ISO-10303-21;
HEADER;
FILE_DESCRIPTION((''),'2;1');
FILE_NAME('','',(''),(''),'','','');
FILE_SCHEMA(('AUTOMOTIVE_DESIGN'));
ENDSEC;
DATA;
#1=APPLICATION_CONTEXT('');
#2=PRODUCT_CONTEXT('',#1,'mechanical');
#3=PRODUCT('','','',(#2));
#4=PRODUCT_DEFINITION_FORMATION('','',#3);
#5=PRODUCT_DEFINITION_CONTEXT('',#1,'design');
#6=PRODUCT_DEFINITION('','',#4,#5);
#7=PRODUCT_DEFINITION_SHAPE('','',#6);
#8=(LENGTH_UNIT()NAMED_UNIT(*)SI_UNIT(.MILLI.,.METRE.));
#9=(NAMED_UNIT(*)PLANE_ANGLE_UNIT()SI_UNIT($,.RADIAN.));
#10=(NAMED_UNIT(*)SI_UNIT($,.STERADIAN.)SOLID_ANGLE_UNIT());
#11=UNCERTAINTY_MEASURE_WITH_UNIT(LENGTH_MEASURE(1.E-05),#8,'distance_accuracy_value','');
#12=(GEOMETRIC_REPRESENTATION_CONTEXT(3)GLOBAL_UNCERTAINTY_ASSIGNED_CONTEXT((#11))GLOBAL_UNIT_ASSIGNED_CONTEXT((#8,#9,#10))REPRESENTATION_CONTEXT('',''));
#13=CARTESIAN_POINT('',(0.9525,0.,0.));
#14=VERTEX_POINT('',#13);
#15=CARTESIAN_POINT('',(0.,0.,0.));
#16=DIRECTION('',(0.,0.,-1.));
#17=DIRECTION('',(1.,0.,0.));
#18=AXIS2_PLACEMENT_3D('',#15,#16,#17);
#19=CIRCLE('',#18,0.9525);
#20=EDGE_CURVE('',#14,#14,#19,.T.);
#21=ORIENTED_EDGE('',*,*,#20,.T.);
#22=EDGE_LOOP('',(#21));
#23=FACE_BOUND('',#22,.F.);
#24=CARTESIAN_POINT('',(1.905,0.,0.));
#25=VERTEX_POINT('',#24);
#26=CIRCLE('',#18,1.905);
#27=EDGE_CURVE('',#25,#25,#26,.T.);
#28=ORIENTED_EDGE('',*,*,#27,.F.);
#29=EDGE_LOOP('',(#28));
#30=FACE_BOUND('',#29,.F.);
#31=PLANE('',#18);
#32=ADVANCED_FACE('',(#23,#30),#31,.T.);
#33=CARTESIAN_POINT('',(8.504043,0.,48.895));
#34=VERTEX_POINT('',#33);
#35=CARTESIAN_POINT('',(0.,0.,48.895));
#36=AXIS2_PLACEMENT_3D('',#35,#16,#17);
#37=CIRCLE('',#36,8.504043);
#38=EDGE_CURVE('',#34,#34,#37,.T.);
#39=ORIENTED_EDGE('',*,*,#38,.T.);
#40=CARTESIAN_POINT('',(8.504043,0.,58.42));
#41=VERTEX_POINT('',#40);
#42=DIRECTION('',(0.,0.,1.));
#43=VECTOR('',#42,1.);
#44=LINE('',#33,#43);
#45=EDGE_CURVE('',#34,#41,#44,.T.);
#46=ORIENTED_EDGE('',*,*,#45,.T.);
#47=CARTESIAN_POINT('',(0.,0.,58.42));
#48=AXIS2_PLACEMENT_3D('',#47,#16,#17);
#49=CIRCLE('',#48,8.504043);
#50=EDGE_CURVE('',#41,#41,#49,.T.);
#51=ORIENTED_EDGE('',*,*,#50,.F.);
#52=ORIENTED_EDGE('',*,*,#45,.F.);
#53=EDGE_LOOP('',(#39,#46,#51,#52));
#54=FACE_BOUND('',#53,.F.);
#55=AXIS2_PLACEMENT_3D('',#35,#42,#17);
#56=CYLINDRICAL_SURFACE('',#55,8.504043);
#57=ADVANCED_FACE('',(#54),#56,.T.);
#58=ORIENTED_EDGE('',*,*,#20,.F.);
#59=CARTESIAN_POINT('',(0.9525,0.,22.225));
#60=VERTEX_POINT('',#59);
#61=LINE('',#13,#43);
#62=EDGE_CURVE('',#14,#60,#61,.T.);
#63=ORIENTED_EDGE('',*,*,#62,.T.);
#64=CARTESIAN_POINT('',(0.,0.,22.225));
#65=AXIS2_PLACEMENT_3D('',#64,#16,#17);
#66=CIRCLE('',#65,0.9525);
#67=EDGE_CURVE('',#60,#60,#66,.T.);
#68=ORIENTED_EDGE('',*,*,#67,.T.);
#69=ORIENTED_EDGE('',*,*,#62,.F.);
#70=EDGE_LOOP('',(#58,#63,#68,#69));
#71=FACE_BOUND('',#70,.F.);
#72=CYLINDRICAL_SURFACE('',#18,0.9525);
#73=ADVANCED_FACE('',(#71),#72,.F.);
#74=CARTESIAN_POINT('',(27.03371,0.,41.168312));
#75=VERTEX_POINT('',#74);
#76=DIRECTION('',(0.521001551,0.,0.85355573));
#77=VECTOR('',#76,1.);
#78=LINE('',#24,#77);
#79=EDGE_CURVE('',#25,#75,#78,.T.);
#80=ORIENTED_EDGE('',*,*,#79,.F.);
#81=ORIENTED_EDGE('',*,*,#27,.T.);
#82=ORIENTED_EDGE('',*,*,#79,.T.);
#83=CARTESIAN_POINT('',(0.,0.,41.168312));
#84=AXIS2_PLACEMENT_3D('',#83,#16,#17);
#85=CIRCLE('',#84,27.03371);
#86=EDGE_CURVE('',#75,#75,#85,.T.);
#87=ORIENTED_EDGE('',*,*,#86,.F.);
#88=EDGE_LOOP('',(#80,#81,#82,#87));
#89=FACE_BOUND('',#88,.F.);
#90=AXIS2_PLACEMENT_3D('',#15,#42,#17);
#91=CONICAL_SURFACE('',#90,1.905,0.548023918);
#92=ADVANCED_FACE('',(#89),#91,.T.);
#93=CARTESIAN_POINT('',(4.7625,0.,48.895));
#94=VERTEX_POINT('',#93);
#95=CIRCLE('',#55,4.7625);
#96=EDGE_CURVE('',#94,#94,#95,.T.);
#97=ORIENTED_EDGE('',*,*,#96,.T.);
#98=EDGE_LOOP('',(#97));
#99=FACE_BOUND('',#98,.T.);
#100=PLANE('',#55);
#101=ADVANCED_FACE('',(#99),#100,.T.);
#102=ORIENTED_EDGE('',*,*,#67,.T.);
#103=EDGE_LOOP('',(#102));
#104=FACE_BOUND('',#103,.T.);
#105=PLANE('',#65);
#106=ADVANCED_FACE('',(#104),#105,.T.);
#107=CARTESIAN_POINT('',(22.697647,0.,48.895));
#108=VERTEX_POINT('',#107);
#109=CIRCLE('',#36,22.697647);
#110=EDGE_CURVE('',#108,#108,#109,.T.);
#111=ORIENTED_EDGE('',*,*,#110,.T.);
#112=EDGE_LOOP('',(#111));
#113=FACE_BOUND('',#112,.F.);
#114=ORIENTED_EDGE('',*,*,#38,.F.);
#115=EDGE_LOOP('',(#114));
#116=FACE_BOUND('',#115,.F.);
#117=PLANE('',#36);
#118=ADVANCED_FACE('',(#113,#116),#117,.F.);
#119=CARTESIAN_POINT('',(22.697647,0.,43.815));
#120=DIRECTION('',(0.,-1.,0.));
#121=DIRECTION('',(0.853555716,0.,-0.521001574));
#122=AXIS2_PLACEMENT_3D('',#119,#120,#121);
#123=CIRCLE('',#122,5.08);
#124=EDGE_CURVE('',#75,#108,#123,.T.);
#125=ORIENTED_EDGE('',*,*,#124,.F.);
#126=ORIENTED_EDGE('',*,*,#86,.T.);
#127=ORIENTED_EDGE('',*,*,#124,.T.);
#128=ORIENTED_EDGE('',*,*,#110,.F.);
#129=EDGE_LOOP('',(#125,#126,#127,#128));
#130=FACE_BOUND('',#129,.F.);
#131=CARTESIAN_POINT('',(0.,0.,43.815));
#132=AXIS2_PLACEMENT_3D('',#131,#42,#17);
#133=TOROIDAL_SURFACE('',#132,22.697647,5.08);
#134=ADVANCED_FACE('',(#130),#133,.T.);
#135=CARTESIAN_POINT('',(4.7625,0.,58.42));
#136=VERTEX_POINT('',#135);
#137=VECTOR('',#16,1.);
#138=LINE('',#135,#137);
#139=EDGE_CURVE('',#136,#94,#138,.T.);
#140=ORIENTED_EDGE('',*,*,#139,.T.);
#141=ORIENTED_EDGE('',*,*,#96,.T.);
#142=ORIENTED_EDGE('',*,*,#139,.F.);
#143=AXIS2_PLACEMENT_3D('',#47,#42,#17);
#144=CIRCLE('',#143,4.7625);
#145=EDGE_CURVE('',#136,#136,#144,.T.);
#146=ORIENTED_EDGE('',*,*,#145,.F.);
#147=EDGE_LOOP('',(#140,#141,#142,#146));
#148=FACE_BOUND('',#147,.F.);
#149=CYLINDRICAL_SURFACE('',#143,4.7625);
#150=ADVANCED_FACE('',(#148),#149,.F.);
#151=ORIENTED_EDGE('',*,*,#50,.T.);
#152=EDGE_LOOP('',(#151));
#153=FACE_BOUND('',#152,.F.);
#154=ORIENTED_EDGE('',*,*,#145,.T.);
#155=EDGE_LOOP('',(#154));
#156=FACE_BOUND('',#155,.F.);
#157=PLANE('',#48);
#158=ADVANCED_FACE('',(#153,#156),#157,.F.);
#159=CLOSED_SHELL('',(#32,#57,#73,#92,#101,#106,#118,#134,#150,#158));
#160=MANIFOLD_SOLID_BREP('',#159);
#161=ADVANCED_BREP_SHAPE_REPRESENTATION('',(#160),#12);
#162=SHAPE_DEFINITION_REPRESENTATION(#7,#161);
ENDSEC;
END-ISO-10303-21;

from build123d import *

# Parameters (mm, degrees)
F2_R     = 4.7625
F3_DEPTH = 9.525
F4_R     = 0.9525
F5_DEPTH = 22.225


with BuildPart() as f1:
    # F0 (on Front) → F1 (revolve)
    with BuildSketch(Plane.XZ):
        with BuildLine():
            Line((0, 58.42), (0, 0))
            Line((0, 0), (1.905, 0))
            Line((1.905, 0), (27.03371, 41.168312))
            ThreePointArc((27.03371, 41.168312), (27.127747, 46.301084), (22.697647, 48.895))
            Line((22.697647, 48.895), (8.504043, 48.895))
            Line((8.504043, 48.895), (8.504043, 58.42))
            Line((8.504043, 58.42), (0, 58.42))
        make_face()
    revolve(axis=Axis((0, 0, 29.21), (0, 0, -1)))

    # F2 (on face) → F3 (cut)
    with BuildSketch(Plane.XY.offset(58.42)):
        Circle(F2_R)
    extrude(amount=-F3_DEPTH, mode=Mode.SUBTRACT)

    # F4 (on face) → F5 (cut)
    with BuildSketch(Plane(origin=(0, 0, 0), x_dir=(1, 0, 0), z_dir=(0, 0, -1))):
        Circle(F4_R)
    extrude(amount=-F5_DEPTH, mode=Mode.SUBTRACT)


solid = f1.part
